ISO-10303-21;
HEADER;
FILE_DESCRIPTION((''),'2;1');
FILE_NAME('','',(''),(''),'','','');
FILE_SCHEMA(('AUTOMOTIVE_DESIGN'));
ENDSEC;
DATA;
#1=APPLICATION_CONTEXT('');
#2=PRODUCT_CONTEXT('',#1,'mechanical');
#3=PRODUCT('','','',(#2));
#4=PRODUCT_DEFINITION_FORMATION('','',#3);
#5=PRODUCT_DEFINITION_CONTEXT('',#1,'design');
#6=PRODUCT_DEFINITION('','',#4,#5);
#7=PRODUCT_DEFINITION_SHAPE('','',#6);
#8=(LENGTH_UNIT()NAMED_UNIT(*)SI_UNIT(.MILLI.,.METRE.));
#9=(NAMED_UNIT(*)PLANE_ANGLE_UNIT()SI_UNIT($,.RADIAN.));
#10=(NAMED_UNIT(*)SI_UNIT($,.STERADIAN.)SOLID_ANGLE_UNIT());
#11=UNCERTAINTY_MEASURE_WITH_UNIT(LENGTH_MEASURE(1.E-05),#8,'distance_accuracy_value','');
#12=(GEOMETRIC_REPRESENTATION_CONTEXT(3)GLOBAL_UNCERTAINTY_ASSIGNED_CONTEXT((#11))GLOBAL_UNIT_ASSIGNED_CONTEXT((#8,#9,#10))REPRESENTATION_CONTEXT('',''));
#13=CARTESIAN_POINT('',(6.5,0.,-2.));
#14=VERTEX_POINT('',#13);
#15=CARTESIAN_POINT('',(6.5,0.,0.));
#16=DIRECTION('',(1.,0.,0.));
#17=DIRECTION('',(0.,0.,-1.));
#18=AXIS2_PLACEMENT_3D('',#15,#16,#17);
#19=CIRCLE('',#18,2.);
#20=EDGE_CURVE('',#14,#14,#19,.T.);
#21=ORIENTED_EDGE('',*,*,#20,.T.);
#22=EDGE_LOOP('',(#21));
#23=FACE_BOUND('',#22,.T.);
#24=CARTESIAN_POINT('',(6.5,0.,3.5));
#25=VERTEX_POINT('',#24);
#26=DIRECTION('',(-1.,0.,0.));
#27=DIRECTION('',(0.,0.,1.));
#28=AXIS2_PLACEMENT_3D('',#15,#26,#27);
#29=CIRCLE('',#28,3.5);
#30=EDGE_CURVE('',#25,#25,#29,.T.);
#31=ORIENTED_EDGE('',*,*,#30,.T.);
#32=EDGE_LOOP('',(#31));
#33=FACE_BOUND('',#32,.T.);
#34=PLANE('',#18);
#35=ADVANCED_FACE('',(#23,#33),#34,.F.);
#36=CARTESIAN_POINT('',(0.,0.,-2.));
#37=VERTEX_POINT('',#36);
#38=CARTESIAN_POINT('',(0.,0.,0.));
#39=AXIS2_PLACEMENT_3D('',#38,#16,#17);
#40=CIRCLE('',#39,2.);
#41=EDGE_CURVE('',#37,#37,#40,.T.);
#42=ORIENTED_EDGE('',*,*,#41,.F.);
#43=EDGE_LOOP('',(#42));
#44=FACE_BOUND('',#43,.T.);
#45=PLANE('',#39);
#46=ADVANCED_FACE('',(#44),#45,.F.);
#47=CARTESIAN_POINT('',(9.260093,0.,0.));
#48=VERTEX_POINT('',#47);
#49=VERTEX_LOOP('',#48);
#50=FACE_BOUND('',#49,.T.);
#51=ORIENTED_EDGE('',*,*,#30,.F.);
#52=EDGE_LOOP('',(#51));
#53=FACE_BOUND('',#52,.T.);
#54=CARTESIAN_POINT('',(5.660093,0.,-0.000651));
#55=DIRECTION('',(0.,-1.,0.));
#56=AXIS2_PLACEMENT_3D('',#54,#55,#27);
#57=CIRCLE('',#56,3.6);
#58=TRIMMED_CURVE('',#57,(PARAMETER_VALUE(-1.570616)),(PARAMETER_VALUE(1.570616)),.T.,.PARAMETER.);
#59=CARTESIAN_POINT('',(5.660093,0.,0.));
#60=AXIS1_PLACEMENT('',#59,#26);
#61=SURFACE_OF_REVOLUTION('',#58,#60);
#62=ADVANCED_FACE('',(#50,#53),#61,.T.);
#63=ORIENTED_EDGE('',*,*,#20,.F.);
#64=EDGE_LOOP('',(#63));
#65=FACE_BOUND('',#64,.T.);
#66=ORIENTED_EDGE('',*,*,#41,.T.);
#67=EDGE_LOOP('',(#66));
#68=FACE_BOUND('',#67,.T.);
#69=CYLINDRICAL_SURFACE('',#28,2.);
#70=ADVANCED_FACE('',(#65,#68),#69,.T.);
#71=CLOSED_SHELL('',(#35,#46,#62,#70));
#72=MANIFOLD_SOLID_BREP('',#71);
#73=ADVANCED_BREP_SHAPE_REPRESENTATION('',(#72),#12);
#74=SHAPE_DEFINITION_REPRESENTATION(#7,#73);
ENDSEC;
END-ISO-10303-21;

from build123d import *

# Parameters (mm, degrees)
SKETCH1_R           = 2
BOSS_EXTRUDE1_DEPTH = 6.5


with BuildPart() as part:
    # Sketch1 → Boss-Extrude1 (new body)
    with BuildSketch(Plane(origin=(0, 0, 0), x_dir=(0, 0, -1), z_dir=(1, 0, 0))):
        Circle(SKETCH1_R)
    extrude(amount=BOSS_EXTRUDE1_DEPTH)

    # Sketch2 → Revolve1 (revolve)
    with BuildSketch(Plane(origin=(0, 0, 0), x_dir=(1, 0, 0), z_dir=(0, 1, 0))):
        with BuildLine():
            Line((9.260092934, 0), (6.5, 0))
            Line((6.5, 0), (6.5, 3.5))
            ThreePointArc((6.5, 3.5), (8.486874454, 2.228543325), (9.260092934, 0))
        make_face()
    revolve(axis=Axis((3.571865943, 0, 0), (1, 0, 0)))


solid = part.part
